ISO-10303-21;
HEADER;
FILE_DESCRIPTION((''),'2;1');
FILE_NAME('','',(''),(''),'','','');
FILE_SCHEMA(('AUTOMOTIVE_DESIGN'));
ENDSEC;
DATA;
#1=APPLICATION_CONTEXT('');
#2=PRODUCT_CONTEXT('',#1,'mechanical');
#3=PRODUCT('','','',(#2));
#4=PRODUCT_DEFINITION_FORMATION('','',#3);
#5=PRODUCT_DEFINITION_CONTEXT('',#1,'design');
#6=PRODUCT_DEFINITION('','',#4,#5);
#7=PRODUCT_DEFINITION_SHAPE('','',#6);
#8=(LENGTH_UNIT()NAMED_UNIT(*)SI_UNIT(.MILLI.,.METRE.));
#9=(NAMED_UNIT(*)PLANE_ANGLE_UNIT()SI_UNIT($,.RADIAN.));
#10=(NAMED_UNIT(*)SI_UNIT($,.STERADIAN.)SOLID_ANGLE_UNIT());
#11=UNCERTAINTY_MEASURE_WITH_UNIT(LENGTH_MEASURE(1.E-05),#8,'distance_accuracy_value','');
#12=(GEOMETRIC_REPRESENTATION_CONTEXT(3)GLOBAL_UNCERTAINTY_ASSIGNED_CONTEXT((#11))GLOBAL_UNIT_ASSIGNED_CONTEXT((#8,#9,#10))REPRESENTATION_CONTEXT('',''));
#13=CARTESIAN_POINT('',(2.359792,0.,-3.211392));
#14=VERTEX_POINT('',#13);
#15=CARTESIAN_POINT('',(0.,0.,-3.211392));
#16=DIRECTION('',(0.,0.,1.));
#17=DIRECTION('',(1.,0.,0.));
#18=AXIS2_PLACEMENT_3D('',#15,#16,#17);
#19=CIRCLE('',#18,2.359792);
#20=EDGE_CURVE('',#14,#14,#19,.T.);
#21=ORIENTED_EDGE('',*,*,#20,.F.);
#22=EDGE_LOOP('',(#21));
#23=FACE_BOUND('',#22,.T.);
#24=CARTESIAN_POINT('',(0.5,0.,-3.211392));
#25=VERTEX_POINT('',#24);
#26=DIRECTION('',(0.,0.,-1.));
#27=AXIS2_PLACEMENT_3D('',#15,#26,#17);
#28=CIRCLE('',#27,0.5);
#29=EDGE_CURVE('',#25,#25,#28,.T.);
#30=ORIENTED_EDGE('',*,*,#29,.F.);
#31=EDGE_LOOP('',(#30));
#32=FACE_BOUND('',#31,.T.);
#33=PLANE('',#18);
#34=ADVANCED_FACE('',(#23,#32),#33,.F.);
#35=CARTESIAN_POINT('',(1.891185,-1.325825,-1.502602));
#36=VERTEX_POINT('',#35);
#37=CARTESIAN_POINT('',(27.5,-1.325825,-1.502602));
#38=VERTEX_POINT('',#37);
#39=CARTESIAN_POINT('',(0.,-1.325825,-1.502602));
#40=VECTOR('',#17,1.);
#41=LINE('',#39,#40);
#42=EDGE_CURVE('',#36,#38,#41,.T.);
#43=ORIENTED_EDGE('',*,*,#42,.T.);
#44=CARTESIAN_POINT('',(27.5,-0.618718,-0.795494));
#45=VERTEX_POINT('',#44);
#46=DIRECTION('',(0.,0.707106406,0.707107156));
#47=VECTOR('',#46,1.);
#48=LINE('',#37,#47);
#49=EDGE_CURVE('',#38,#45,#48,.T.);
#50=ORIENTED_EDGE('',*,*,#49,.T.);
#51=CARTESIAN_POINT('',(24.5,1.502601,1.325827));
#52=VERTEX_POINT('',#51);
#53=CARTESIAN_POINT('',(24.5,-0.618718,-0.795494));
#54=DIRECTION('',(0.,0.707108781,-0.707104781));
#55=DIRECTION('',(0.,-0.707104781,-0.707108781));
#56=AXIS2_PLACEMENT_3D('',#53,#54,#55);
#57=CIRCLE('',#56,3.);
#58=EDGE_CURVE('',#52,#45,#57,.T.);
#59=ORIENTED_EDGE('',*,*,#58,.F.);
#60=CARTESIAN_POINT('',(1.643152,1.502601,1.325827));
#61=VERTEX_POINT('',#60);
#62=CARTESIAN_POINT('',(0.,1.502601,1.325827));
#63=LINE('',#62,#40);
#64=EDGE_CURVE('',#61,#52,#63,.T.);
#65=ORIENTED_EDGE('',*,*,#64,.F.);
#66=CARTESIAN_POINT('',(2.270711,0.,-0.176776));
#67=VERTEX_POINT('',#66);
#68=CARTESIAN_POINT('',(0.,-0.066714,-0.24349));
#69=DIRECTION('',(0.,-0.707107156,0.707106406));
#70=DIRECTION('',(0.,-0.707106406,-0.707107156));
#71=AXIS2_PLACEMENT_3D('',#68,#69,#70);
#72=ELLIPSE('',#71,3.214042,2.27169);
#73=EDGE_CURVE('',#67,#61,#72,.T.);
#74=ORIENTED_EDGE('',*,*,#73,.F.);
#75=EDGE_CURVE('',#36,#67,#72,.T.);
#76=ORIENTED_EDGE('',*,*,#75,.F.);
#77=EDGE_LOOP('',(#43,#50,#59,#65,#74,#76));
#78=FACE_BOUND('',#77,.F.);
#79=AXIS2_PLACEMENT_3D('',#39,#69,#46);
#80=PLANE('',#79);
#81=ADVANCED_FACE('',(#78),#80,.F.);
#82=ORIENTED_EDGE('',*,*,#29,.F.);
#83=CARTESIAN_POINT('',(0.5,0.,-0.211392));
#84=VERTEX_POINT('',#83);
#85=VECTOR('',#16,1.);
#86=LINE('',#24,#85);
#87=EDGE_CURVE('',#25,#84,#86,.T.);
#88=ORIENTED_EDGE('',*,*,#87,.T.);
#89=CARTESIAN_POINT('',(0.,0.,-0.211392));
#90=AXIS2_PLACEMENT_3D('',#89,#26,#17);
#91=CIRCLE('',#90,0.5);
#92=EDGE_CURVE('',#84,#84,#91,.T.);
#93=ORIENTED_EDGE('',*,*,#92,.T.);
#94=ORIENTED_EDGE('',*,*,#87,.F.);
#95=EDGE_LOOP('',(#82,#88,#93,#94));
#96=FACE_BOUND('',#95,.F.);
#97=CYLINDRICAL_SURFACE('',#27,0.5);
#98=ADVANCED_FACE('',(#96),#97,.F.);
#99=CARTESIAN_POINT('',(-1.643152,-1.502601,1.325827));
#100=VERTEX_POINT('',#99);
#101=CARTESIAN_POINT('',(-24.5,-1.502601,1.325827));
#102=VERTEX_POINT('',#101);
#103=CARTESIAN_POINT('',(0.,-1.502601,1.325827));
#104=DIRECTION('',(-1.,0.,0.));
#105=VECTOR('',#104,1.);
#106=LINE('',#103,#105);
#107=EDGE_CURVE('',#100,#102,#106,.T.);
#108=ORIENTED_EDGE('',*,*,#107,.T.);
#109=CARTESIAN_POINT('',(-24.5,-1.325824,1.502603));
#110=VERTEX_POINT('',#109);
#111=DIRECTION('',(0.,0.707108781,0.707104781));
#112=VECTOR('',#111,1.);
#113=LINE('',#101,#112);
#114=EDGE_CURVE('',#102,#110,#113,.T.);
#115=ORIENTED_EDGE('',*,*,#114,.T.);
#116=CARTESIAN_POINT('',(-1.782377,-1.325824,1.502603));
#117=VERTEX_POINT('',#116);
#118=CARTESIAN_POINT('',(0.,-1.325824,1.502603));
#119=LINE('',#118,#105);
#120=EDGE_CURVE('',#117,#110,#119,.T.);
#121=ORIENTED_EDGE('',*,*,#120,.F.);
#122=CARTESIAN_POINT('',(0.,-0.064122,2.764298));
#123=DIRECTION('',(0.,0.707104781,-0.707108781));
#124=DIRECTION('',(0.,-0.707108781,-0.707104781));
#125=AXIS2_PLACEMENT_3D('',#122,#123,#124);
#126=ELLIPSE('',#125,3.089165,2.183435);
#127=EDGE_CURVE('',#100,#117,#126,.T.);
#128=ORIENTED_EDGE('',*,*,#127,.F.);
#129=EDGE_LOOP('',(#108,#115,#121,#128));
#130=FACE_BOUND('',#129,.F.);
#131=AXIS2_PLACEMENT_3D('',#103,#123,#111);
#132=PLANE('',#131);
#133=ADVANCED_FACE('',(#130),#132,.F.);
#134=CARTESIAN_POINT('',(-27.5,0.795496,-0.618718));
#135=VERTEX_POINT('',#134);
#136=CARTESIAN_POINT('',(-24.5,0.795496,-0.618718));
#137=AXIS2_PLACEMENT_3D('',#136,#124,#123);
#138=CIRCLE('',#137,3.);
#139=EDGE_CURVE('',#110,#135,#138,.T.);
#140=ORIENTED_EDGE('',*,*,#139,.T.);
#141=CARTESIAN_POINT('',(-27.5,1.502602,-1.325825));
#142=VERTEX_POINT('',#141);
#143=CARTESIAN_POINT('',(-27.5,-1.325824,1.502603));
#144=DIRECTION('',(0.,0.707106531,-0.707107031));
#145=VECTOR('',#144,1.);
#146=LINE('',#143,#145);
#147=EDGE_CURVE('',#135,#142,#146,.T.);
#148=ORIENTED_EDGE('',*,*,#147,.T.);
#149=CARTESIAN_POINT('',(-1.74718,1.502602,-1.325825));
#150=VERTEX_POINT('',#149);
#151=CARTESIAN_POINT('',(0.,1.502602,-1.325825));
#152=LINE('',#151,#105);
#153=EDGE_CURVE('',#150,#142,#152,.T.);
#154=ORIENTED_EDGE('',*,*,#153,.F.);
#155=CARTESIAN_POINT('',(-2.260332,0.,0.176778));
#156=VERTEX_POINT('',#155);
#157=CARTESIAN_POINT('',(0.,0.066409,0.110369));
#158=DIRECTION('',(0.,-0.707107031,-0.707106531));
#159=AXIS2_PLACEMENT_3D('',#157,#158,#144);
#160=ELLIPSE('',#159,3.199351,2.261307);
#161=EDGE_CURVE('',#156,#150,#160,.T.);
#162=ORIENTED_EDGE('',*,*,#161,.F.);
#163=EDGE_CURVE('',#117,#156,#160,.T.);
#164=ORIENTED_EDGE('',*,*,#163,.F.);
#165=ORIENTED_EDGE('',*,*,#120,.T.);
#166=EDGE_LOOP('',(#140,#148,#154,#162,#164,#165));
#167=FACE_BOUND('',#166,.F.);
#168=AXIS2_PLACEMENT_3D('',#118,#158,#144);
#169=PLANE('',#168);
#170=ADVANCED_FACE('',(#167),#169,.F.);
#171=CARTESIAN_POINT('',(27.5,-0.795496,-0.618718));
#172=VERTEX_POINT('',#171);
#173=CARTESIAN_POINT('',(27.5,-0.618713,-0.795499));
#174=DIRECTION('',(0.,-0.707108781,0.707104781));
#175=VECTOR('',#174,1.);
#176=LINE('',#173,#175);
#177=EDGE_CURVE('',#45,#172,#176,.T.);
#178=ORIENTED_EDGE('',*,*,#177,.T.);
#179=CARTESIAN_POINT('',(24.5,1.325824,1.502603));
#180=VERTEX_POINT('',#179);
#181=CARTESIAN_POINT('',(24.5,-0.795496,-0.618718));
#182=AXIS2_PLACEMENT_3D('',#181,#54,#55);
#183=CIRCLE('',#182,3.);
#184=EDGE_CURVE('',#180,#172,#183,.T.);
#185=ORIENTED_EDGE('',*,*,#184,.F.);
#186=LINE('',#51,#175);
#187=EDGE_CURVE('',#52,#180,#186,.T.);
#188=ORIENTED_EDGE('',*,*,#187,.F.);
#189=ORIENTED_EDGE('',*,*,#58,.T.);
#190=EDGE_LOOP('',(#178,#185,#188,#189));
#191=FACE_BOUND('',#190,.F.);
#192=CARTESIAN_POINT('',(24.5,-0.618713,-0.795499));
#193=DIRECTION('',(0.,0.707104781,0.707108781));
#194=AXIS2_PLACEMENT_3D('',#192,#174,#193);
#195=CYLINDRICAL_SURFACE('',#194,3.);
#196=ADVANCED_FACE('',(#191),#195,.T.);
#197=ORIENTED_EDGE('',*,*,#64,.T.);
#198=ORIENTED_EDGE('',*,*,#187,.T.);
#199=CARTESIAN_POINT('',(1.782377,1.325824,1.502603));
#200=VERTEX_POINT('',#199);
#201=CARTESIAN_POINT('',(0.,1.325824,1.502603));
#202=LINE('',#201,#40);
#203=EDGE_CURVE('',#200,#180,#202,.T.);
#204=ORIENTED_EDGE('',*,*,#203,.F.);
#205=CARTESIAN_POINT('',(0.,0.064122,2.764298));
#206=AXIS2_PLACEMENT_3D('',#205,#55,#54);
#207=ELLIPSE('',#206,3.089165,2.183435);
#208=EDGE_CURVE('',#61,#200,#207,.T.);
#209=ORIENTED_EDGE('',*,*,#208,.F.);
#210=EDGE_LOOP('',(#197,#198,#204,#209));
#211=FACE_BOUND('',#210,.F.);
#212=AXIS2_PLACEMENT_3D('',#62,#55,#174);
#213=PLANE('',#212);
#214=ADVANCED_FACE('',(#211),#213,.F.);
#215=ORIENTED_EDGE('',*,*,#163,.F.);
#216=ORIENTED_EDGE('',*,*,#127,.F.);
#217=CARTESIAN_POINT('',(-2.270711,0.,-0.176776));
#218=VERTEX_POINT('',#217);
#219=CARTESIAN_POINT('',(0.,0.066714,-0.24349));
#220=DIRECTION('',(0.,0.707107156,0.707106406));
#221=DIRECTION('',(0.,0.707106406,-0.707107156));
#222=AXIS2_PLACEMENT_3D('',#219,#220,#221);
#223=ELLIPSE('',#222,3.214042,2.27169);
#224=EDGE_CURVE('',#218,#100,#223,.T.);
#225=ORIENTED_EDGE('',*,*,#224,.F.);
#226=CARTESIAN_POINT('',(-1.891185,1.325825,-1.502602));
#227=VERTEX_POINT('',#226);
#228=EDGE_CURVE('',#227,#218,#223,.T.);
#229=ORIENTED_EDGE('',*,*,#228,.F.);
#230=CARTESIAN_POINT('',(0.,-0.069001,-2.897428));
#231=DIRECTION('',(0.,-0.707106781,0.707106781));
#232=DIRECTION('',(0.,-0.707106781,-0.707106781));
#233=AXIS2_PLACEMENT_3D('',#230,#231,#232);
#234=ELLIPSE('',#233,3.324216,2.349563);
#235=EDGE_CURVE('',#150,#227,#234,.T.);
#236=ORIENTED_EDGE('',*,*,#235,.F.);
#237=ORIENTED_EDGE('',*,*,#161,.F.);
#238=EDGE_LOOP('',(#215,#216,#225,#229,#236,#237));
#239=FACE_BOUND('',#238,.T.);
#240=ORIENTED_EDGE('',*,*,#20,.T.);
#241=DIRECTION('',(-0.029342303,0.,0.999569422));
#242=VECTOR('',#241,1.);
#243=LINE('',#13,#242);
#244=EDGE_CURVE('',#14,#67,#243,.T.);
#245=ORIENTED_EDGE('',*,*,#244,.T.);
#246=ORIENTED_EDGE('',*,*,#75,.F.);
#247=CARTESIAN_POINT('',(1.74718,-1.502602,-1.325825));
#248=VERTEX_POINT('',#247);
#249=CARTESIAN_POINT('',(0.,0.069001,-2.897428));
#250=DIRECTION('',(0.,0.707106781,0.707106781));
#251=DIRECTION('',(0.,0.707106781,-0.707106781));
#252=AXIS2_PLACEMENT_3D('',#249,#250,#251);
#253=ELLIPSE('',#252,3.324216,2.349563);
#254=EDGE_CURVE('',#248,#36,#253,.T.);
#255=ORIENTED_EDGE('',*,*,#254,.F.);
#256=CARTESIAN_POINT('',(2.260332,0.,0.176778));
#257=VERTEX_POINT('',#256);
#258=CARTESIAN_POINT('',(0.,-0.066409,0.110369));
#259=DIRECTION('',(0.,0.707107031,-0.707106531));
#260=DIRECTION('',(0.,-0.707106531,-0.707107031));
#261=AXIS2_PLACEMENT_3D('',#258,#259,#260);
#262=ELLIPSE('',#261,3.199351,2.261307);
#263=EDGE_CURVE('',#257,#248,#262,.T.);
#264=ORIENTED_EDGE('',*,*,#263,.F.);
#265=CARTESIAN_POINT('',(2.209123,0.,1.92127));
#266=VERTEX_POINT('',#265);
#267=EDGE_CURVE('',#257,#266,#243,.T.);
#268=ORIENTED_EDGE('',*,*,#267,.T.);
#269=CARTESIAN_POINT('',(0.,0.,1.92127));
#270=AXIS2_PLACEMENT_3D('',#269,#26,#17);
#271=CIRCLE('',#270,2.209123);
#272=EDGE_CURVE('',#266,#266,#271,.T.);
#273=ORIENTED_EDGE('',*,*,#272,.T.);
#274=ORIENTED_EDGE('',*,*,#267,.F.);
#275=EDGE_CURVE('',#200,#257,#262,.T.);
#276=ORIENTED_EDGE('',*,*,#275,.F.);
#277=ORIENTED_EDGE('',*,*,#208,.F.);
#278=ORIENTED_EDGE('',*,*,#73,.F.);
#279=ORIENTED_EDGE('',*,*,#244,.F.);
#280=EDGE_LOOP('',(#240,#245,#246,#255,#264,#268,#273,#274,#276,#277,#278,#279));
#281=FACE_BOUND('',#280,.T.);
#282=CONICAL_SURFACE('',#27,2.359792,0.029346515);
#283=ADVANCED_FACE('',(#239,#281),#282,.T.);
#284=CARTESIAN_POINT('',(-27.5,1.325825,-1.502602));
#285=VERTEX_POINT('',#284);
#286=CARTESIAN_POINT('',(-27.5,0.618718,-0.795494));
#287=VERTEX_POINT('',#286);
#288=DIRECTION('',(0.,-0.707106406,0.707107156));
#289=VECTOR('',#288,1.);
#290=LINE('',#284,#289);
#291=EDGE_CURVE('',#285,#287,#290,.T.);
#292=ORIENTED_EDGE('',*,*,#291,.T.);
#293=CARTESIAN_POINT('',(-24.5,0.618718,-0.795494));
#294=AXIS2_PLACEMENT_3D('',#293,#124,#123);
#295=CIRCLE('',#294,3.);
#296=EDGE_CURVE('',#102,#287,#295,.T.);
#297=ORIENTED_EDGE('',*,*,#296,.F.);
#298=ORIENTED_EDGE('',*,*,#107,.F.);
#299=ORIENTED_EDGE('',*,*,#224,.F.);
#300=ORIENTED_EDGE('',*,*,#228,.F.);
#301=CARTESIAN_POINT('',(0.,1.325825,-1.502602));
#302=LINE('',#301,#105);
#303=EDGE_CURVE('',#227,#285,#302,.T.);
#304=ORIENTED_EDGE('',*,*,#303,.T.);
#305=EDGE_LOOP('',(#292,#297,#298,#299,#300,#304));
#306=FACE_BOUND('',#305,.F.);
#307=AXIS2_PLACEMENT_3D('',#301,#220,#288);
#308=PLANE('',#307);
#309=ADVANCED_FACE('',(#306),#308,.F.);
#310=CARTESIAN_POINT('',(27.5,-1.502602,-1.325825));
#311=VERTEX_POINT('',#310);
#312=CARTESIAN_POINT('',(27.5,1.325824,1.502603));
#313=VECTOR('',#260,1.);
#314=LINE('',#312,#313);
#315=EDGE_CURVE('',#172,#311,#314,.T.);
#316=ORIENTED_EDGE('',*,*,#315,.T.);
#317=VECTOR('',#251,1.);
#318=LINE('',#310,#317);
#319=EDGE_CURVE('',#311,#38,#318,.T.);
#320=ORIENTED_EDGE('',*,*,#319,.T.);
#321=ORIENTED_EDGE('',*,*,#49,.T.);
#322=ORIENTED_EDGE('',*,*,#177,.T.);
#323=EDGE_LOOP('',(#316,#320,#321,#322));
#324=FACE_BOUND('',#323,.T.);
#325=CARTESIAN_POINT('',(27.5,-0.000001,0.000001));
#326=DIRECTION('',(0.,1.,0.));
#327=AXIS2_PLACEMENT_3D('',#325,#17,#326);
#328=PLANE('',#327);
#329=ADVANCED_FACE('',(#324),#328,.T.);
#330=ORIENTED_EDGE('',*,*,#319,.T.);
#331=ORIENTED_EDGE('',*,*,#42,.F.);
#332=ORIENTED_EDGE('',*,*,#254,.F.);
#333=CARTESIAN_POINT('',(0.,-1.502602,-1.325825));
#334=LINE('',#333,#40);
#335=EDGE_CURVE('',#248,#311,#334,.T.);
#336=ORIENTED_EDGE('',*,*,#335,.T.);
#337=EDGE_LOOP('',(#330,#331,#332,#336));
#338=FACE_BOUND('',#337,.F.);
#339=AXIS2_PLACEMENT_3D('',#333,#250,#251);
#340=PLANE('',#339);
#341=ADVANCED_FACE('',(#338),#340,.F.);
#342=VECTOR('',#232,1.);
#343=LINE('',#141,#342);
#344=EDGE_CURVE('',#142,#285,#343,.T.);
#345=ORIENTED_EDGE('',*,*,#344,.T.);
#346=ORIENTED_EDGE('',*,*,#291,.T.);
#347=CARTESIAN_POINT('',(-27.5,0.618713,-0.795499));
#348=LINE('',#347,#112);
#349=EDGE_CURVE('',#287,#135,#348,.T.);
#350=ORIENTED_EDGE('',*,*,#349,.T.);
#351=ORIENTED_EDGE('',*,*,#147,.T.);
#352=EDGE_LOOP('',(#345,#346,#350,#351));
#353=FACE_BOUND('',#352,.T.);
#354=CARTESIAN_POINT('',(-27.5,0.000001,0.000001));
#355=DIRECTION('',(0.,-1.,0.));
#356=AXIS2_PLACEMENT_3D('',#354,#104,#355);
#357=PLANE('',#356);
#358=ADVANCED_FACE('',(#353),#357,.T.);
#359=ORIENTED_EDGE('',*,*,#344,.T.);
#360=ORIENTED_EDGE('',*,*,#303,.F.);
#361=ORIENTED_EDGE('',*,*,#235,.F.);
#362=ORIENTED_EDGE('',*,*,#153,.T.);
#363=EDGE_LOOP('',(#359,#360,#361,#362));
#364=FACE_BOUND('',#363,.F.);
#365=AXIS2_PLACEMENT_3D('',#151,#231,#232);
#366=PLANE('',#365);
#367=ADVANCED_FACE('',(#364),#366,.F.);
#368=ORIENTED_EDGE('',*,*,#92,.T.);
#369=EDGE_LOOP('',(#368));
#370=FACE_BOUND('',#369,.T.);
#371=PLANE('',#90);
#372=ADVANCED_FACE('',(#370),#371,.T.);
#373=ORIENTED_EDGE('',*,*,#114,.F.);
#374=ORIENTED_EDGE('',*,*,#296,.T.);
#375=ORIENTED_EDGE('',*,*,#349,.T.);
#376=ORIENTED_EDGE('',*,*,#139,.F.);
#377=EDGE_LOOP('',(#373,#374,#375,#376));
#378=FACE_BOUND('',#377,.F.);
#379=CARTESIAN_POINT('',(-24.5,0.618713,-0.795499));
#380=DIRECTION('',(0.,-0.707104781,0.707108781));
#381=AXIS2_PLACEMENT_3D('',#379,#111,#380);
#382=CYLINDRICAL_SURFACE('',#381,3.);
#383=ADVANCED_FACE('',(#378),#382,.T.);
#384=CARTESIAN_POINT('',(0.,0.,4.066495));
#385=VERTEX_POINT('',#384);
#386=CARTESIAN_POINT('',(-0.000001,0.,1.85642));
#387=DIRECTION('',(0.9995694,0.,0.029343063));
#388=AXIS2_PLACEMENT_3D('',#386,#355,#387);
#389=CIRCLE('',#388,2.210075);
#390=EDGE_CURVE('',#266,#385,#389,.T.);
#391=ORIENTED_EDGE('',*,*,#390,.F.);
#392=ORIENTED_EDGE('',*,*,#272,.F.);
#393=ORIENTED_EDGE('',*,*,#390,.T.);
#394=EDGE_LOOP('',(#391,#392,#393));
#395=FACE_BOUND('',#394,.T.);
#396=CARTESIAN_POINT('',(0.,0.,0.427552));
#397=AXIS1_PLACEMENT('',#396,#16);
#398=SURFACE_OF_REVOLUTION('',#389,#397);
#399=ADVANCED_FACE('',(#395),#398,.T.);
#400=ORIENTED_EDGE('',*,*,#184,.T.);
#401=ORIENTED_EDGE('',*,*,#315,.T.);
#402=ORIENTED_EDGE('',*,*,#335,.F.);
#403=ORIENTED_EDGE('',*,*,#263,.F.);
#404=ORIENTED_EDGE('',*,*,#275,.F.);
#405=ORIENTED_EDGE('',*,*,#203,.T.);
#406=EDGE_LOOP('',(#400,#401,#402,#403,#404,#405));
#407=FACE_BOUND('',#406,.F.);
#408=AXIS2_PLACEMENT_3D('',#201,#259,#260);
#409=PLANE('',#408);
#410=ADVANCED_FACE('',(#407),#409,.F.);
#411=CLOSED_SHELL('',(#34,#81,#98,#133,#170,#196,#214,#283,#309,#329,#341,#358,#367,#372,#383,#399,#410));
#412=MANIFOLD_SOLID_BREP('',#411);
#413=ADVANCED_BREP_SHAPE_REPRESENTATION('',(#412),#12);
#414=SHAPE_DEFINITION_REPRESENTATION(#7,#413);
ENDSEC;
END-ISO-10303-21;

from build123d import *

# Parameters (mm, degrees)
F1_DEPTH = 27.5
F2_R     = 3
F5_COUNT = 2
F6_R     = 0.5
F7_DEPTH = 3


with BuildPart() as f1:
    # F0 (on Right) → F1 (new body)
    with BuildSketch(Plane.YZ):
        Polygon((1.325824, 1.502603), (-1.502602, -1.325825), (-1.325825, -1.502602), (1.502601, 1.325827), align=None)
    extrude(amount=F1_DEPTH)

    # F2
    f2_edges = [f1.edges().sort_by_distance(p)[0] for p in [
        (27.5, 1.414212, 1.414215),
    ]]
    fillet(f2_edges, radius=F2_R)

    # F3 (on Front) → F4 (revolve)
    with BuildSketch(Plane.XZ):
        with BuildLine():
            Line((2.359792, -3.211392), (2.209123, 1.92127))
            ThreePointArc((2.209123, 1.92127), (1.53966, 3.441941), (0, 4.066495))
            Line((0, 4.066495), (0, -3.211392))
            Line((0, -3.211392), (2.359792, -3.211392))
        make_face()
    revolve(axis=Axis((0, 0, 0.427552), (0, 0, 1)))

    # F5: F1 ×2 about axis
    f5_axis = Axis((0, 0, -3.211392), (0, 0, 1))


with BuildPart() as f1_1:
    add(f1.part)
    for i in range(1, F5_COUNT):
        add(f1.part.rotate(f5_axis, i * 360 / F5_COUNT))

    # F6 (on face) → F7 (cut)
    with BuildSketch(Plane(origin=(0, 0, -3.211392), x_dir=(1, 0, 0), z_dir=(0, 0, -1))):
        Circle(F6_R)
    extrude(amount=-F7_DEPTH, mode=Mode.SUBTRACT)


solid = f1_1.part
